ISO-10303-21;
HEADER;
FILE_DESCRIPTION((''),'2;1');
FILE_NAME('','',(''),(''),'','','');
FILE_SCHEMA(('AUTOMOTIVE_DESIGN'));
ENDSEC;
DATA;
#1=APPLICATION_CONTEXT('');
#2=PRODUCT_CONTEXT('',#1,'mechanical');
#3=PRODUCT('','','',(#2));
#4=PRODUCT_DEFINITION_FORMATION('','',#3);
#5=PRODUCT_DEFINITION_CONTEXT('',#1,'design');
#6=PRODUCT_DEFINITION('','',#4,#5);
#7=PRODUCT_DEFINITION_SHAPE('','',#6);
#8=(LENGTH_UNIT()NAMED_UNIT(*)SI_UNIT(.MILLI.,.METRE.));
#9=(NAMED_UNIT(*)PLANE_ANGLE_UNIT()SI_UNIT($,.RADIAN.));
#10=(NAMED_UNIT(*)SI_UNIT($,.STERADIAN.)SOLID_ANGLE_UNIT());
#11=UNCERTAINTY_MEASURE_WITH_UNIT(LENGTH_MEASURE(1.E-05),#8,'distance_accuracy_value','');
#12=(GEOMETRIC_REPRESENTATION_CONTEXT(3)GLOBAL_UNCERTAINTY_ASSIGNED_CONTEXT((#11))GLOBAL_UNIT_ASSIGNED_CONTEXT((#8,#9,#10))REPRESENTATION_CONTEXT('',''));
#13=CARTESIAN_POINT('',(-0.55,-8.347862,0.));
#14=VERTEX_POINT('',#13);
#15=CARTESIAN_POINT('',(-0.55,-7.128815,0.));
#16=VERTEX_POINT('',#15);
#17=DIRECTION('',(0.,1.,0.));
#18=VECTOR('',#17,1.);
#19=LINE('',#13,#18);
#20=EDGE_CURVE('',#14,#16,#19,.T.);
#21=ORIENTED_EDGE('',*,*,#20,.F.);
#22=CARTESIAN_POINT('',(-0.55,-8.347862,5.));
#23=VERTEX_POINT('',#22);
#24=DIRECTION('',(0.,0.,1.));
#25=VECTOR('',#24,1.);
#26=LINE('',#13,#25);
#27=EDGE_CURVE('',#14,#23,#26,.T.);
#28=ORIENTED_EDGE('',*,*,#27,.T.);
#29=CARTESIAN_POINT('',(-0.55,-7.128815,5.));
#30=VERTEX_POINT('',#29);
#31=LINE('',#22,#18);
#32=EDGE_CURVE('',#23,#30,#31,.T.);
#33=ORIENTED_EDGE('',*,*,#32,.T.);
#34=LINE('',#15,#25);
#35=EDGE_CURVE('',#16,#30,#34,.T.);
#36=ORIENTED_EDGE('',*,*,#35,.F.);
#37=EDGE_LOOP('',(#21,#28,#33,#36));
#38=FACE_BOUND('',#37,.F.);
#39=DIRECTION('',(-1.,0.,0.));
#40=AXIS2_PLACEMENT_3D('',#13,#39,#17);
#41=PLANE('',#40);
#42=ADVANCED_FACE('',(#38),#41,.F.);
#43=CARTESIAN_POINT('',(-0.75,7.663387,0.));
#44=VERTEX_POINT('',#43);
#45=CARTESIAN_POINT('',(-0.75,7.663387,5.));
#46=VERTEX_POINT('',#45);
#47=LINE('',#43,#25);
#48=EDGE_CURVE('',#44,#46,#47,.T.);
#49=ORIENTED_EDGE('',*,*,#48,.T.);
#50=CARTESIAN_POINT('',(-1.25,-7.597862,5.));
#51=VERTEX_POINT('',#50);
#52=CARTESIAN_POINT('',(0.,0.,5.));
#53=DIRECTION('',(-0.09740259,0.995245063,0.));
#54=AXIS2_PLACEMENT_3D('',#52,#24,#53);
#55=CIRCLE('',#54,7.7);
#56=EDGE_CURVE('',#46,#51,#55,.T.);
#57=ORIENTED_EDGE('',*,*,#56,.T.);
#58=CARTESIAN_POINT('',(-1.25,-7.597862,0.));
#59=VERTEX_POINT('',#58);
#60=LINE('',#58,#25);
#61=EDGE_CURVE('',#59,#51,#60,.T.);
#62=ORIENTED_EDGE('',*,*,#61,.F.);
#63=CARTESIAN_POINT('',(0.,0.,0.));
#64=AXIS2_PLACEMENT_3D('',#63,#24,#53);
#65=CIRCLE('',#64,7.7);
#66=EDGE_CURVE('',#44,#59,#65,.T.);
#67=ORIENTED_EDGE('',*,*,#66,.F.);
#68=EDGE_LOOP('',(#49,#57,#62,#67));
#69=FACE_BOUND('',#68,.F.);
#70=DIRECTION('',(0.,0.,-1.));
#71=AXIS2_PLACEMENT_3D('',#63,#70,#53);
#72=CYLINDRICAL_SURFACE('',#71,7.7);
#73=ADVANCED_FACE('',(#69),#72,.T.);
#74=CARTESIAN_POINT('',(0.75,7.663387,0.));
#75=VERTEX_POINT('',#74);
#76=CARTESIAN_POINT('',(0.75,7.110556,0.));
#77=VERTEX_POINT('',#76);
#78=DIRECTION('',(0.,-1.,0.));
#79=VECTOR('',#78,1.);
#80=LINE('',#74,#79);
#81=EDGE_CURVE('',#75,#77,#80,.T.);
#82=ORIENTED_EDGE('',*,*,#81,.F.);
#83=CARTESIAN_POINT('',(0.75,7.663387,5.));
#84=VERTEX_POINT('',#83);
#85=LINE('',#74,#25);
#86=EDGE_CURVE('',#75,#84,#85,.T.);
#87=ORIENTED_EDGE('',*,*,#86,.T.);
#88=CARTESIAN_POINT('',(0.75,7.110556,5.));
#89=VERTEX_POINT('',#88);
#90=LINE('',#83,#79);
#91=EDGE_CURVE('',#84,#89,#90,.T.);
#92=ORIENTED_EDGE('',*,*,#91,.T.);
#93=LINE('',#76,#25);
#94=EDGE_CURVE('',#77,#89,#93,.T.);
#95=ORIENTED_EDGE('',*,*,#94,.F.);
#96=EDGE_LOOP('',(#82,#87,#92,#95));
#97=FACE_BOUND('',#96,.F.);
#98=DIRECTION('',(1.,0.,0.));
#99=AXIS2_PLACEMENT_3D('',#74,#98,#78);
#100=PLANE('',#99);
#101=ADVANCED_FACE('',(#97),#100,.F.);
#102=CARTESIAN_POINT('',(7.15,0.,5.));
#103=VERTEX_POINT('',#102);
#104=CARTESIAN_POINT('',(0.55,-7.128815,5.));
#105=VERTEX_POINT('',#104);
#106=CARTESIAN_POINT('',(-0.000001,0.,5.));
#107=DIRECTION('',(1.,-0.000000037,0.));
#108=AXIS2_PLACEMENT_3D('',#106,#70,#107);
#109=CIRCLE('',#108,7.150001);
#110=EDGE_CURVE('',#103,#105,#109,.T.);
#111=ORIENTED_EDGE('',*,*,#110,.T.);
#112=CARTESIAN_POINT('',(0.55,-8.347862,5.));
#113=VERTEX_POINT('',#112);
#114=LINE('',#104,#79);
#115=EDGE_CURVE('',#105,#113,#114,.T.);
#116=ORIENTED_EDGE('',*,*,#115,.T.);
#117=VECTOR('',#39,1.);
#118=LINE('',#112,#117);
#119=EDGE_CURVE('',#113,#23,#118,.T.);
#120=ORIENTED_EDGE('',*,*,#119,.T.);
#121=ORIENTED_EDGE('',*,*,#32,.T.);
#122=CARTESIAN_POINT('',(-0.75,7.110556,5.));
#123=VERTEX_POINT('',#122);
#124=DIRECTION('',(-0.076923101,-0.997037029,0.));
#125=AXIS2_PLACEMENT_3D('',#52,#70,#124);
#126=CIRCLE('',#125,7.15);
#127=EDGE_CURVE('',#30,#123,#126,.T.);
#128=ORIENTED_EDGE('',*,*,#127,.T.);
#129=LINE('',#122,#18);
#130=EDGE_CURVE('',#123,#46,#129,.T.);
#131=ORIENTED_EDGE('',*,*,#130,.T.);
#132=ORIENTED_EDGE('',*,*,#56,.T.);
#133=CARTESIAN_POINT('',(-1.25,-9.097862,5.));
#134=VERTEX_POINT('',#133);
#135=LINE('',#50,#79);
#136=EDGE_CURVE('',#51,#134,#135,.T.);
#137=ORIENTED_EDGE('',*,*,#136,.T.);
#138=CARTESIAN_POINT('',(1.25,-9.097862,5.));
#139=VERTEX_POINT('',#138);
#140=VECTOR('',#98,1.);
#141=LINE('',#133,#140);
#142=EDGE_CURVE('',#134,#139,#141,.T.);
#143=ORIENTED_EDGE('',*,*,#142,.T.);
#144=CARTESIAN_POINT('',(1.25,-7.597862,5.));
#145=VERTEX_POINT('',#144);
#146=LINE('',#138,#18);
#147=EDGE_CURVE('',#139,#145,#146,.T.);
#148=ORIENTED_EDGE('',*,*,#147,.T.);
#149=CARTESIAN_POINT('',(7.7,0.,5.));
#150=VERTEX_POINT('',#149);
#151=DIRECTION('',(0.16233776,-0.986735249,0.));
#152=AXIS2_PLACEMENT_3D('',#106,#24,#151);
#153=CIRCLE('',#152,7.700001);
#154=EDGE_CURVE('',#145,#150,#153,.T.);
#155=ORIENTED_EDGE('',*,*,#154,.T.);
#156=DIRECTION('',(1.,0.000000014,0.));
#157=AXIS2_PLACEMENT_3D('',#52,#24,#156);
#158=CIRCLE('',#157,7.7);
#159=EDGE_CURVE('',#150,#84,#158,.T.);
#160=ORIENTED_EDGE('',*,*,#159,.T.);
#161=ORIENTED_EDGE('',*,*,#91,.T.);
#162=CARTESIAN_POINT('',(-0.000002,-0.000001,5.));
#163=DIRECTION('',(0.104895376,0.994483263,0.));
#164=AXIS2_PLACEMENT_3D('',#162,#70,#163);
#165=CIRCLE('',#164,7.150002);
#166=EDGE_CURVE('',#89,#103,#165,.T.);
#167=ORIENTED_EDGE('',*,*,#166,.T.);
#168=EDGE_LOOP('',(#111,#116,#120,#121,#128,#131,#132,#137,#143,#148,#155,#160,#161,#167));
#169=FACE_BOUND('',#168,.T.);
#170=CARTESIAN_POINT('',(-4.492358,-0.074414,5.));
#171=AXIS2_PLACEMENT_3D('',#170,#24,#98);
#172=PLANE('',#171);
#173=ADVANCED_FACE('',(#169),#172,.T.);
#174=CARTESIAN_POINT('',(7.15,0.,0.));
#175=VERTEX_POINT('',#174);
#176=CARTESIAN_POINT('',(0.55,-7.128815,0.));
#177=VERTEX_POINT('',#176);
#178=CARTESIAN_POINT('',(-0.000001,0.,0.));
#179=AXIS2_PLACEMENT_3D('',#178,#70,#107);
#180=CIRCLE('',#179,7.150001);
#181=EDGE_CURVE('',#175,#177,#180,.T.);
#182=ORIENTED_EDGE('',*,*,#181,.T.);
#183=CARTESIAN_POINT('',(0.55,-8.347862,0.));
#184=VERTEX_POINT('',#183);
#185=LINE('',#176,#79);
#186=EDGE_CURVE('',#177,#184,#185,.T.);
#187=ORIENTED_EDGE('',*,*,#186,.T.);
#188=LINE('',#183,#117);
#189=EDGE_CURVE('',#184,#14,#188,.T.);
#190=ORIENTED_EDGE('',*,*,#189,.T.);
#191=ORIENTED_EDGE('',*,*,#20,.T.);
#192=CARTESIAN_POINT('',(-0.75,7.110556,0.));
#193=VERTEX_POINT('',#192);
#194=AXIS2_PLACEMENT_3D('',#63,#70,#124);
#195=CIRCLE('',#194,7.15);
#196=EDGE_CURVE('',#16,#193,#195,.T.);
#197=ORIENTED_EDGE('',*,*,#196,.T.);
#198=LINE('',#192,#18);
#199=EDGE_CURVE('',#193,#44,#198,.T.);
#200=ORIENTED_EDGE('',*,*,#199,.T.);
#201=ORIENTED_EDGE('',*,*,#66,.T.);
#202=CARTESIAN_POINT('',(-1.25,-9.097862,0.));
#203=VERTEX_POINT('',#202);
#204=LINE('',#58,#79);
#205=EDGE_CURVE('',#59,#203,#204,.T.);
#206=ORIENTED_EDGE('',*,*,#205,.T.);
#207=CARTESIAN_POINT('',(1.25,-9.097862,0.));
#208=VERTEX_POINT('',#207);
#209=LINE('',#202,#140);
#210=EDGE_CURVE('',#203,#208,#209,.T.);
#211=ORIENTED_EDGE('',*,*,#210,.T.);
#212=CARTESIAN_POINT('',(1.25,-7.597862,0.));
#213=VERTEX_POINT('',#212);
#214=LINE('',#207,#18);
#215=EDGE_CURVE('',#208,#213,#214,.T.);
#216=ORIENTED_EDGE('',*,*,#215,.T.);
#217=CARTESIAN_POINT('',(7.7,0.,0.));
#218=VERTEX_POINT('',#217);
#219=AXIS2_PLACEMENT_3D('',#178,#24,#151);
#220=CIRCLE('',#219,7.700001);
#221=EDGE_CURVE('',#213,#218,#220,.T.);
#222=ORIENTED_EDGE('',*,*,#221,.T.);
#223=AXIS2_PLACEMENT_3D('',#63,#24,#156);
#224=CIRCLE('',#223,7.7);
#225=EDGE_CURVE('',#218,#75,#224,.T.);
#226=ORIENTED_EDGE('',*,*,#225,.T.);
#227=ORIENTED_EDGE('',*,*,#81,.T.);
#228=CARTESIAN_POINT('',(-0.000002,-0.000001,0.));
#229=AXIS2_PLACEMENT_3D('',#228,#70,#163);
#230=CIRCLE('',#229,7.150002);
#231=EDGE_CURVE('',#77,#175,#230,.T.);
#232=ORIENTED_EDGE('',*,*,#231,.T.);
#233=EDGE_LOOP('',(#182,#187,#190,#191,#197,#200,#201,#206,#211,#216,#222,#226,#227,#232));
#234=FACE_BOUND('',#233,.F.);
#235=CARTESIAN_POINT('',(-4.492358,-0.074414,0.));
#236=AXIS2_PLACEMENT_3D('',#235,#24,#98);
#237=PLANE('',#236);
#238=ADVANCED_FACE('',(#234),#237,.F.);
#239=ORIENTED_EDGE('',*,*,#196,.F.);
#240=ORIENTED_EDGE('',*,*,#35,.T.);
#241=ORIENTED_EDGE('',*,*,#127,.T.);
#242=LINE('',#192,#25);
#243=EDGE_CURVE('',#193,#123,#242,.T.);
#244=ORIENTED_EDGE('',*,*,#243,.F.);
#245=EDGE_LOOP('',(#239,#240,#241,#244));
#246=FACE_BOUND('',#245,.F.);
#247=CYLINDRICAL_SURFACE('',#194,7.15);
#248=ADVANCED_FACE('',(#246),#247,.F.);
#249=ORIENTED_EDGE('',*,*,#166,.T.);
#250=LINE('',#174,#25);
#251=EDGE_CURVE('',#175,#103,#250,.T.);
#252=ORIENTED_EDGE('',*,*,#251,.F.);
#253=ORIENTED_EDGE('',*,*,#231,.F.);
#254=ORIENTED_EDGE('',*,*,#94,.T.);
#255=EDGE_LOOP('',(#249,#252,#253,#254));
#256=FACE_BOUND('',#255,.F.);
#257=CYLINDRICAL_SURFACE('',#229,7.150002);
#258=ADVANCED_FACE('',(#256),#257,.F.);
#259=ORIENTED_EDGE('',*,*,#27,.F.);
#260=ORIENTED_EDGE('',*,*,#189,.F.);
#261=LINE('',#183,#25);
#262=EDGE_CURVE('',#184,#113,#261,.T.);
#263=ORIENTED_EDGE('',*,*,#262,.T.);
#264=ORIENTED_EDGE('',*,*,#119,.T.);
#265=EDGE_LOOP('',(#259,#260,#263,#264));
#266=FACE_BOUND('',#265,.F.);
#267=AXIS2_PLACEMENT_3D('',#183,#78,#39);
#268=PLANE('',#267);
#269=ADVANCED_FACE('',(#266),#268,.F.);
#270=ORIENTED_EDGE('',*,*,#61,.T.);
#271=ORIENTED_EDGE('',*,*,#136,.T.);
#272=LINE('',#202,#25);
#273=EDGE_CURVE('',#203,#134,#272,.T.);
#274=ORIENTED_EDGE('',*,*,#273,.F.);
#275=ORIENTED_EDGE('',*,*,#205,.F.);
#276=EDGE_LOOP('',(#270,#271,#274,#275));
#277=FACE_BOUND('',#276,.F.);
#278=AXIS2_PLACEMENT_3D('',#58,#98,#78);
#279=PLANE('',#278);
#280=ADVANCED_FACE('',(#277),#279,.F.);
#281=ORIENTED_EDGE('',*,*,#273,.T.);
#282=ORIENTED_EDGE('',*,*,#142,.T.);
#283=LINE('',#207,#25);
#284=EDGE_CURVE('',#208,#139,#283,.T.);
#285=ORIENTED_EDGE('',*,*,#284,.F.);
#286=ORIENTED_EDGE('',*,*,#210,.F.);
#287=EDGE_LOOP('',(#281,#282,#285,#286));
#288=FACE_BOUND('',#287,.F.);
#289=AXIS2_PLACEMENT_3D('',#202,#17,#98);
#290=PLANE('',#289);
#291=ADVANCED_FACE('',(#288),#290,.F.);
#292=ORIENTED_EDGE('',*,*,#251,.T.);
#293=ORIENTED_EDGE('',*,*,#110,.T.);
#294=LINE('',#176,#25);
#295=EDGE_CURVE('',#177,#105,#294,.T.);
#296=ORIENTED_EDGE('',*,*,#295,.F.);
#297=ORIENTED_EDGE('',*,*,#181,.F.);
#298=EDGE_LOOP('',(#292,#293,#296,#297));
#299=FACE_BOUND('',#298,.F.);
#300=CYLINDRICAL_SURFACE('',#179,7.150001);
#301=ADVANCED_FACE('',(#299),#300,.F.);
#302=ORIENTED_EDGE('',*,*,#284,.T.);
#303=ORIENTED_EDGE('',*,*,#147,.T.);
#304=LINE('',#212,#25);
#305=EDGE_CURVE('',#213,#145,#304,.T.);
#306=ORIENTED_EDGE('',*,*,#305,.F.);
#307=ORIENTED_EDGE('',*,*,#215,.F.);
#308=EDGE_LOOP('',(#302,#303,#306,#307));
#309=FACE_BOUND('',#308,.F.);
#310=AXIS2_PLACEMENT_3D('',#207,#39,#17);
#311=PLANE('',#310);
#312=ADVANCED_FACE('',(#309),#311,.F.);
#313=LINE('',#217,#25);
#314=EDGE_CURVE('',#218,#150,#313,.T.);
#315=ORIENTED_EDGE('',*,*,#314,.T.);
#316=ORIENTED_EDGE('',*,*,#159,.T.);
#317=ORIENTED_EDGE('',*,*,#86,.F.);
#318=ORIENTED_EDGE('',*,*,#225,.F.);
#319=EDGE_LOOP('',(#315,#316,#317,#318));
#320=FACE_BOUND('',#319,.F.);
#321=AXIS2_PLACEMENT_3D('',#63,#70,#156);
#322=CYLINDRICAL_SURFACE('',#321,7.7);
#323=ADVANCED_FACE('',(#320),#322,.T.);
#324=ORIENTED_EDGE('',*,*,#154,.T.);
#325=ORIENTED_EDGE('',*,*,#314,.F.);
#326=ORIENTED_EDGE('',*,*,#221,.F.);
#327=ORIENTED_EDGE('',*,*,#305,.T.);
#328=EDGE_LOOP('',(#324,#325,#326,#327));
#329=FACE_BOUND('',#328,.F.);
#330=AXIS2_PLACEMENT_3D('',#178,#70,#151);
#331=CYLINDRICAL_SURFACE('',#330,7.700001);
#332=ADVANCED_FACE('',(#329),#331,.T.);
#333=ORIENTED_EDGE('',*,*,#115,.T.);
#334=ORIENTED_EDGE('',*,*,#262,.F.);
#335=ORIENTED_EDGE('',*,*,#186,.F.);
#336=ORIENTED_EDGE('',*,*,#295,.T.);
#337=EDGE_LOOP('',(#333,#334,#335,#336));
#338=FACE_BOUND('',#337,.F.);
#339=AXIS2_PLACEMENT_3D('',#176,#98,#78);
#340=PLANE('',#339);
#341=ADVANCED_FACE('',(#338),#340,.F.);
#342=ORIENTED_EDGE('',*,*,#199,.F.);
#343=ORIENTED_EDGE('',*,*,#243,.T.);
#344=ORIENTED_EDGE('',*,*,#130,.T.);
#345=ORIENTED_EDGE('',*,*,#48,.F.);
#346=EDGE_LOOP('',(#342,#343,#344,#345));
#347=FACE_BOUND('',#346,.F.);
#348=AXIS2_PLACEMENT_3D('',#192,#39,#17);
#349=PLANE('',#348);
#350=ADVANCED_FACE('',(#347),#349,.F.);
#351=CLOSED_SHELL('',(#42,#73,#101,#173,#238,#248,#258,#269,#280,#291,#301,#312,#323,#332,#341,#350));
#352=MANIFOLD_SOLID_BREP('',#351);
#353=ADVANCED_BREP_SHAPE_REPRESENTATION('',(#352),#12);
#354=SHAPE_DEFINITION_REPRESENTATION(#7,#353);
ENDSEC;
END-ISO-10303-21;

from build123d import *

# Parameters (mm, degrees)
F1_DEPTH = 5


with BuildPart() as f1:
    # F0 (on Top) → F1 (new body)
    with BuildSketch(Plane.XY):
        with BuildLine():
            ThreePointArc((-0.55, -7.128815), (-7.149295, -0.100416), (-0.75, 7.110556))
            Line((-0.75, 7.110556), (-0.75, 7.663387))
            ThreePointArc((-0.75, 7.663387), (-7.695871, 0.252138), (-1.25, -7.597862))
            ThreePointArc((-1.25, -7.597862), (-0.900944, -7.647111), (-0.55, -7.680332))
            Line((-0.55, -7.680332), (-0.55, -7.128815))
        make_face()
        with BuildLine():
            Line((-0.55, -8.347862), (-0.55, -7.680332))
            ThreePointArc((-0.55, -7.680332), (-0.900944, -7.647111), (-1.25, -7.597862))
            Line((-1.25, -7.597862), (-1.25, -9.097862))
            Line((-1.25, -9.097862), (1.25, -9.097862))
            Line((1.25, -9.097862), (1.25, -7.597862))
            ThreePointArc((1.25, -7.597862), (0.900944, -7.647111), (0.55, -7.680332))
            Line((0.55, -7.680332), (0.55, -8.347862))
            Line((0.55, -8.347862), (-0.55, -8.347862))
        make_face()
        with BuildLine():
            ThreePointArc((0.75, 7.110556), (5.314367, 4.783304), (7.15, 0))
            ThreePointArc((7.15, 0), (5.246666, -4.857468), (0.55, -7.128815))
            Line((0.55, -7.128815), (0.55, -7.597862))
            Line((0.55, -7.597862), (0.55, -7.680332))
            ThreePointArc((0.55, -7.680332), (0.900944, -7.647111), (1.25, -7.597862))
            ThreePointArc((1.25, -7.597862), (5.870051, -4.983222), (7.7, 0))
            ThreePointArc((7.7, 0), (5.703727, 5.172765), (0.75, 7.663387))
            Line((0.75, 7.663387), (0.75, 7.110556))
        make_face()
    extrude(amount=F1_DEPTH)


solid = f1.part
